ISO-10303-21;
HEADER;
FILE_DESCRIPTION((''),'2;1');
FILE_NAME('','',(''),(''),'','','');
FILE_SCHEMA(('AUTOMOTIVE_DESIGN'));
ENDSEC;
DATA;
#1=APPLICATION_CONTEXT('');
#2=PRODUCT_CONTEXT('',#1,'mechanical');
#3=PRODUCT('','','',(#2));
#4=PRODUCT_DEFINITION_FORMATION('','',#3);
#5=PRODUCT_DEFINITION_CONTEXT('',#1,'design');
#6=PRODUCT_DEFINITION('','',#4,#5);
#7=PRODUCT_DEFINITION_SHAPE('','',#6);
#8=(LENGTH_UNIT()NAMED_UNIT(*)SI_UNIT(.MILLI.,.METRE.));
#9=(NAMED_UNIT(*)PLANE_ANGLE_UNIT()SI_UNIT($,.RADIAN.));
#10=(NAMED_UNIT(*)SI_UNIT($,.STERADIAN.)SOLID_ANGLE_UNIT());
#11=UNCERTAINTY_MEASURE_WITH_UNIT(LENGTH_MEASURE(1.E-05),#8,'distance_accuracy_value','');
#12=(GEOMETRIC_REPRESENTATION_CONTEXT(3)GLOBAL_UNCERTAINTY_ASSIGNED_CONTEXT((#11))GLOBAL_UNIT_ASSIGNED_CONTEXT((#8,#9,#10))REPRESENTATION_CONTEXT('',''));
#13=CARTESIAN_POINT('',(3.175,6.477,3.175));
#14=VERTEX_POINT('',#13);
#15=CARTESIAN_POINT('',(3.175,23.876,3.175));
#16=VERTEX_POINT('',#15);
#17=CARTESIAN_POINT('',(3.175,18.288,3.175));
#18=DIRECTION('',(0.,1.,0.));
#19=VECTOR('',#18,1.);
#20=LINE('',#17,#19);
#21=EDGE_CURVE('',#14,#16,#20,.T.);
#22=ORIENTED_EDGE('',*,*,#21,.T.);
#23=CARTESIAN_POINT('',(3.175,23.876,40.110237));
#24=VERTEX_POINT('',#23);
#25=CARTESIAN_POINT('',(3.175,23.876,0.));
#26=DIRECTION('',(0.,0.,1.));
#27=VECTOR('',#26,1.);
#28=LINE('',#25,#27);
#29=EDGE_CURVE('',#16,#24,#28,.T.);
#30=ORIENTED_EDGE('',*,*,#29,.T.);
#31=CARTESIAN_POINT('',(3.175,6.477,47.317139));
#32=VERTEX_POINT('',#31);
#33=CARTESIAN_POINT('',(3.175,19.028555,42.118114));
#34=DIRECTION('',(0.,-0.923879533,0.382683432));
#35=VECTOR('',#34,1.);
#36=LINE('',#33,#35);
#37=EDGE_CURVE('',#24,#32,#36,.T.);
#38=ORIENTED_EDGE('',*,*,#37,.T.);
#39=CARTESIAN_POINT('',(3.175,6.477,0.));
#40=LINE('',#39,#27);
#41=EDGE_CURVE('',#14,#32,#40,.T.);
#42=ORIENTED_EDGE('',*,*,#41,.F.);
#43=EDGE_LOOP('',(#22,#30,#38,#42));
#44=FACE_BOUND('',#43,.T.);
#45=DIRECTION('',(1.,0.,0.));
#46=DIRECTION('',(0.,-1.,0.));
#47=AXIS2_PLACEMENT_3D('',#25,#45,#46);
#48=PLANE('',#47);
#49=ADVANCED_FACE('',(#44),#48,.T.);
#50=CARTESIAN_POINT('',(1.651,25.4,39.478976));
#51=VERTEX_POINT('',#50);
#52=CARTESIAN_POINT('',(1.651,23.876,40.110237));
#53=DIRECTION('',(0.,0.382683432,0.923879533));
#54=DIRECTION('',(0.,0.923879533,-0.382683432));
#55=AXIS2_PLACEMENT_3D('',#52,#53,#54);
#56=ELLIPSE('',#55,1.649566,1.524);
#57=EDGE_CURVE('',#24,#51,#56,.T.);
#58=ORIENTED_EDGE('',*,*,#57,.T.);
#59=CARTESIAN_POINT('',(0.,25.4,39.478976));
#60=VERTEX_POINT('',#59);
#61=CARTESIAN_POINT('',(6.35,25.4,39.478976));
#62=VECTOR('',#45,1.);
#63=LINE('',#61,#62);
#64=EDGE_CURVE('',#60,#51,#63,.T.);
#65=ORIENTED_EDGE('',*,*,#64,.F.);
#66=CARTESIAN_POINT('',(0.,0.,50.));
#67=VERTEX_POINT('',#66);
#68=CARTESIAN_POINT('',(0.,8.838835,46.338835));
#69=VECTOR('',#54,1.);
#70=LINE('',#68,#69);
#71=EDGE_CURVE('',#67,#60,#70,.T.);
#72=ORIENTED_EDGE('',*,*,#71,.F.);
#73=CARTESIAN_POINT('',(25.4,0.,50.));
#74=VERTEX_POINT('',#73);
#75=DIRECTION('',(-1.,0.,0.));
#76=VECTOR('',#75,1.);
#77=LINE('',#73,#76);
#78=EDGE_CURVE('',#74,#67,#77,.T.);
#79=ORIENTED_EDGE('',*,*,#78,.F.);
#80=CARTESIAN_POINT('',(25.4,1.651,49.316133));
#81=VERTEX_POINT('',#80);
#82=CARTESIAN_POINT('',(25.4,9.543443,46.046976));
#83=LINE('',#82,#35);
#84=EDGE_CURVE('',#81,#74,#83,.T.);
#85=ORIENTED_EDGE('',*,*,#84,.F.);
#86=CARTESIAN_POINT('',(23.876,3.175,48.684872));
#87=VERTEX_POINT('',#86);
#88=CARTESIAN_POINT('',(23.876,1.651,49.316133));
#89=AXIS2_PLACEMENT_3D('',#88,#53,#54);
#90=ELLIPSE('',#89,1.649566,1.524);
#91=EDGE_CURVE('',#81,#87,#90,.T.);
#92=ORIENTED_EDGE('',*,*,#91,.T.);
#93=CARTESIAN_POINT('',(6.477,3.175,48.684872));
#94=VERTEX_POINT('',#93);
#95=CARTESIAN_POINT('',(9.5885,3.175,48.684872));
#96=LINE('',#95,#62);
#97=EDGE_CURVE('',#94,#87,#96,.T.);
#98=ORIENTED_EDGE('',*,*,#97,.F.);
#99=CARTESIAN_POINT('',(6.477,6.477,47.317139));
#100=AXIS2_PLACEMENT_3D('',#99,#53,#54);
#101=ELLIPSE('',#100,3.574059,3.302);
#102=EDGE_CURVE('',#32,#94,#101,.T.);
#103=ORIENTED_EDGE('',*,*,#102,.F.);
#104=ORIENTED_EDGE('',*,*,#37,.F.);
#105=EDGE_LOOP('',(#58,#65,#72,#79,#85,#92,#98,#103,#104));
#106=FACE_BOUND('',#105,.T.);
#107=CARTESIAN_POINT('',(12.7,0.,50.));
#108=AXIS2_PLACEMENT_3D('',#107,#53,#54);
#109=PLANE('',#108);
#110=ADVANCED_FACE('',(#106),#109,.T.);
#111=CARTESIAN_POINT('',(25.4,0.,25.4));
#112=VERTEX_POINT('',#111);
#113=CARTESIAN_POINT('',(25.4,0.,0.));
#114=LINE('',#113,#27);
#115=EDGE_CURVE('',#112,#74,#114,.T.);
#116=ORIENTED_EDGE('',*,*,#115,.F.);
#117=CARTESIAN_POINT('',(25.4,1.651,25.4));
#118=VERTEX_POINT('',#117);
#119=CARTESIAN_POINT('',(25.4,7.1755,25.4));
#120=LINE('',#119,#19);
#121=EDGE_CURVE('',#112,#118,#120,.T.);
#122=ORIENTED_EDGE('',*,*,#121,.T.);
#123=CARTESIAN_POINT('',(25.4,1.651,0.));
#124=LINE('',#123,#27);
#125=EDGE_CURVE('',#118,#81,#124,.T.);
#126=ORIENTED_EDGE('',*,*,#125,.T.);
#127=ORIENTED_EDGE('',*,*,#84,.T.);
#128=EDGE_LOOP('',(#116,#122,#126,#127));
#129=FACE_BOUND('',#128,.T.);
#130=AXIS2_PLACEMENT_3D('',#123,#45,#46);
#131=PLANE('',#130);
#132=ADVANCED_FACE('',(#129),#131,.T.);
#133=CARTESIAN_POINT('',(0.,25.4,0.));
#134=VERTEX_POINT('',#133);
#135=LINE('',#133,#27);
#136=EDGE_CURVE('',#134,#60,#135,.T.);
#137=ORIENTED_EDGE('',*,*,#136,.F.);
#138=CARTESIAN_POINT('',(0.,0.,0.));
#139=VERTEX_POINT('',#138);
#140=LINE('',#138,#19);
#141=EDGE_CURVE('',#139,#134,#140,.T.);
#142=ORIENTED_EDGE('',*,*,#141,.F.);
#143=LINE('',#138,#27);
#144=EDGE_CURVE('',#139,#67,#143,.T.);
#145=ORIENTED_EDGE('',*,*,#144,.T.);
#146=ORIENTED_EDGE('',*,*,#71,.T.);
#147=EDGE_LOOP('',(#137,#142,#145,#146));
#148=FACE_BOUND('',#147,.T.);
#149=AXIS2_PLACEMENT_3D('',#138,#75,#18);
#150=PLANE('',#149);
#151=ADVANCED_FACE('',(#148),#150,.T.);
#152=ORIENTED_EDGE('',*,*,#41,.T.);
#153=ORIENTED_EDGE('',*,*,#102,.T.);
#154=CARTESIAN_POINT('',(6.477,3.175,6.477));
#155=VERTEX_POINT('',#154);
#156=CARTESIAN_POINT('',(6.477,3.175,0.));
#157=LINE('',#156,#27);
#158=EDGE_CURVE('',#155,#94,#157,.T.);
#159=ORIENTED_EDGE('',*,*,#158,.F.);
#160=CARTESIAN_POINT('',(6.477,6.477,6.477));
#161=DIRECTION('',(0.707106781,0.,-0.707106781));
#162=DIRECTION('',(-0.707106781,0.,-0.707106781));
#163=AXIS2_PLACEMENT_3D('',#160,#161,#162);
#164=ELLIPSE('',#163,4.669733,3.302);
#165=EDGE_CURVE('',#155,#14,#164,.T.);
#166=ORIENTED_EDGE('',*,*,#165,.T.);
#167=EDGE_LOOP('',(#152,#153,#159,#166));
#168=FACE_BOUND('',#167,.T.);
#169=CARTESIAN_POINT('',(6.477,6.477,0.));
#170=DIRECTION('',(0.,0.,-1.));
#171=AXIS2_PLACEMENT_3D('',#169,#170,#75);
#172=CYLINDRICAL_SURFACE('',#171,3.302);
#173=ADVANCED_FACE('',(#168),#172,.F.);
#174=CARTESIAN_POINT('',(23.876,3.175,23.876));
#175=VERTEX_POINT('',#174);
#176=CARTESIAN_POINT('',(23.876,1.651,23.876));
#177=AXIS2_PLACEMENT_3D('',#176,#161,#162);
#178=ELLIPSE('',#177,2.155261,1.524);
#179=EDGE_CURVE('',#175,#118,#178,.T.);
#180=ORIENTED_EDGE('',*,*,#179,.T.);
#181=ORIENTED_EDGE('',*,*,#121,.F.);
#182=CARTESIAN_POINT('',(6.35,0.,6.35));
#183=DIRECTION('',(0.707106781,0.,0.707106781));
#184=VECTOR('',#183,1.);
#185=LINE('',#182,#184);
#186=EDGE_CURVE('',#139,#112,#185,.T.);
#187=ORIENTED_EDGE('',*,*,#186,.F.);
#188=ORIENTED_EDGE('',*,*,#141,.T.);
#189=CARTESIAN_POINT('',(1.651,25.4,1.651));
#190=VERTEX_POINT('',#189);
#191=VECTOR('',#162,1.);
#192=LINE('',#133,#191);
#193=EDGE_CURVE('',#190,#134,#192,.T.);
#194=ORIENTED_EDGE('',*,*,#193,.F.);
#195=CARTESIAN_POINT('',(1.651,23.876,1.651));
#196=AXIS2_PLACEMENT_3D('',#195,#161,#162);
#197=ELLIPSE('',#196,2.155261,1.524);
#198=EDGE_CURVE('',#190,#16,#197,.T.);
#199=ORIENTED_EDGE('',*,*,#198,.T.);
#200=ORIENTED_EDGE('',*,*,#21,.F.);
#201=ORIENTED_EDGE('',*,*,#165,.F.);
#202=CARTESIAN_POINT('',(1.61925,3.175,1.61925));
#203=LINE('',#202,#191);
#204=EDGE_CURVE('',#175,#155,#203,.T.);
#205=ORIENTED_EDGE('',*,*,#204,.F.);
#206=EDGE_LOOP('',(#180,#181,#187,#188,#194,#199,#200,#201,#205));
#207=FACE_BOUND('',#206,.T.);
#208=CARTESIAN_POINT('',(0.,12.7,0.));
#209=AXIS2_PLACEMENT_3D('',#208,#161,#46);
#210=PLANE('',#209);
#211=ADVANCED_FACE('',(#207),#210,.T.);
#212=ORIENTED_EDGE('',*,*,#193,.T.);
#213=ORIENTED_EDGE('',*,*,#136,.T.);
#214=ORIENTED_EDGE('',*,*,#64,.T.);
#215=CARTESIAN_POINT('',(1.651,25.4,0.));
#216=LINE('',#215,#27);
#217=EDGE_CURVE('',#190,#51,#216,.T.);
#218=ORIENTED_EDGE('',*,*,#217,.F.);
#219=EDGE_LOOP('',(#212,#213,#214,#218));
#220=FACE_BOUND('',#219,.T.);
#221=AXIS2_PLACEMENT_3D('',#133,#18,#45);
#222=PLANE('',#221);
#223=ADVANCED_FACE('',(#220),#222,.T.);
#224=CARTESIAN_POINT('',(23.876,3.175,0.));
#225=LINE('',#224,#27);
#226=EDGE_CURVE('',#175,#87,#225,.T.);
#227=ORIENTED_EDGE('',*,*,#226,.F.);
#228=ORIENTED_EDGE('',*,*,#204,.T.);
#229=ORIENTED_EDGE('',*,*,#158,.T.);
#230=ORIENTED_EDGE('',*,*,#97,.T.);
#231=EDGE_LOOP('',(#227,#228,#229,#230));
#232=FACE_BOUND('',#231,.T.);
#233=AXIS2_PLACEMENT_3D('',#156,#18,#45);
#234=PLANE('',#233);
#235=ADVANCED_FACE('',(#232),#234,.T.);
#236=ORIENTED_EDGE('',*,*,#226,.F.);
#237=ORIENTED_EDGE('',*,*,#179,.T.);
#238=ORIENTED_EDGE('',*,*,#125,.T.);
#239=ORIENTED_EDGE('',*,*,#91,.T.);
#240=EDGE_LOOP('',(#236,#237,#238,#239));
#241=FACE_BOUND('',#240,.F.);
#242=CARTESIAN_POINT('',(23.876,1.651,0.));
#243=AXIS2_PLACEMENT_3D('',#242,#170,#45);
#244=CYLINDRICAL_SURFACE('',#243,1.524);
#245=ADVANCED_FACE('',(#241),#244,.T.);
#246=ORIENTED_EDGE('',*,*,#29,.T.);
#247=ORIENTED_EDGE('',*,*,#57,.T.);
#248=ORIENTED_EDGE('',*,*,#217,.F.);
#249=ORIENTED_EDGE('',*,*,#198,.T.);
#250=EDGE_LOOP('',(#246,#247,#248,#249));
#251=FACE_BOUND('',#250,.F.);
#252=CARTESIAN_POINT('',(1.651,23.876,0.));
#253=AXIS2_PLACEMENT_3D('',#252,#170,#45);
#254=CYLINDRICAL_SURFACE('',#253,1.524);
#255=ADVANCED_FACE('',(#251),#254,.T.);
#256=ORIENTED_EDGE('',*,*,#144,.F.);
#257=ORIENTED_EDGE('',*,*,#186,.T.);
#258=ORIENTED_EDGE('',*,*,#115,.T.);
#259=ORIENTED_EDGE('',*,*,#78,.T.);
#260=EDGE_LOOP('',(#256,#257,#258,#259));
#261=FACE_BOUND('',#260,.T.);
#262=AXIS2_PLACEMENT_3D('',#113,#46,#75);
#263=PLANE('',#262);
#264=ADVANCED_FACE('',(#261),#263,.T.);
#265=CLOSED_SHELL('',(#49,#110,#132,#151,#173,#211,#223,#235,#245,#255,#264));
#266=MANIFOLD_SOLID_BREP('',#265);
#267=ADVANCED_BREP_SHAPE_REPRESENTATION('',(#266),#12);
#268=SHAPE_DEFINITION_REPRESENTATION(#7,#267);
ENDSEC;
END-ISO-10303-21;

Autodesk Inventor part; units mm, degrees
ref_plane "Start Plane" through (0, 0, 0) normal (0, 0, 1) x (1, 0, 0)
ref_plane "End Plane" through (0, 0, 50) normal (0, 0, 1) x (1, 0, 0)
sketch "Sketch" plane through (0, 0, 0) normal (0, 0, 1) x (1, 0, 0)
  line L0 (25.4, 0) -> (0, 0)
  line L1 (0, 0) -> (0, 25.4)
  line L2 (0, 25.4) -> (1.651, 25.4)
  line L3 (3.175, 23.876) -> (3.175, 6.477)
  line L4 (6.477, 3.175) -> (23.876, 3.175)
  line L5 (25.4, 1.651) -> (25.4, 0)
  line L6 (0, -11.0414) -> (0, 31.5385) construction
  line L7 (-11.0414, 0) -> (31.5385, 0) construction
  arc A0 (3.175, 6.477) -> (6.477, 3.175) centre (6.477, 6.477) ccw
  arc A1 (3.175, 23.876) -> (1.651, 25.4) centre (1.651, 23.876) ccw
  arc A2 (25.4, 1.651) -> (23.876, 3.175) centre (23.876, 1.651) ccw
  line L8 (0, 40.0545) -> (0, -19.5574) construction
  line L9 (-19.5574, 0) -> (40.0545, 0) construction
  point P0 (3.175, 25.4)
  point P1 (3.175, 3.175)
  point P2 (25.4, 3.175)
  dimension "d0" = 25.4
  dimension "d1" = 25.4
  dimension "d2" = 3.175
  dimension "d3" = 3.175
  dimension "d10" = 0
  dimension "d11" = 0
  dimension "d14" = 3.302
  dimension "d15" = 1.524
extrude "Body" add sketch "Sketch" along normal up to surface (50 mm away) from surface at 0
sketch "Sketch3" plane through (0, 0, 0) normal (0, 0, 1) x (1, 0, 0)
  line L0 (0, 0) -> (10, 0)
ref_plane "Work Plane3" through (0, 0, 0) normal (0, -1, 0) x (1, 0, 0)
ref_plane "Work Plane4" through (0, 12.7, 0) normal (0.7071, 0, -0.7071) x (-0.7071, 0, -0.7071)
split "Split1" plane through (0, 12.7, 0) removes the side toward (0.7071, 0, -0.7071)
ref_plane "Work Plane5" through (12.7, 0, 50) normal (0, 0.3827, 0.9239) x (1, 0, 0)
split "Split2" plane through (12.7, 0, 50) removes the side toward (0, 0.3827, 0.9239)
sketch "Sketch4" plane through (0, 0, 0) normal (0, -1, 0) x (1, 0, 0)
  line L0 (-2, 0) -> (12, 0) projected
  line L1 (-2, 50) -> (12, 50) projected
  dimension "d17" = 50
equation "\"d0\" = G_H"
equation "\"d1\" = G_H"
equation "\"d2\" = G_T"
equation "\"d3\" = G_T"
equation "\"d14\" = G_IR"
equation "\"d15\" = G_ER"
equation "\"d4\" = G_L"
equation "\"G_H\" = 25.4"
equation "\"G_T\" = 3.175"
equation "\"G_ER\" = 1.524"
equation "\"G_IR\" = 3.302"
equation "\"G_L\" = d17"
equation "\"ex\" = 0"
equation "\"G_OFFSET_START\" = 0"
equation "\"G_OFFSET_END\" = 0"
equation "\"d13\" = G_OFFSET_END + B_L"
equation "\"B_L\" = 50"
properties part number "AISC - L 1 x 1 x 1/8 - 1.969" material "Steel, Mild"
